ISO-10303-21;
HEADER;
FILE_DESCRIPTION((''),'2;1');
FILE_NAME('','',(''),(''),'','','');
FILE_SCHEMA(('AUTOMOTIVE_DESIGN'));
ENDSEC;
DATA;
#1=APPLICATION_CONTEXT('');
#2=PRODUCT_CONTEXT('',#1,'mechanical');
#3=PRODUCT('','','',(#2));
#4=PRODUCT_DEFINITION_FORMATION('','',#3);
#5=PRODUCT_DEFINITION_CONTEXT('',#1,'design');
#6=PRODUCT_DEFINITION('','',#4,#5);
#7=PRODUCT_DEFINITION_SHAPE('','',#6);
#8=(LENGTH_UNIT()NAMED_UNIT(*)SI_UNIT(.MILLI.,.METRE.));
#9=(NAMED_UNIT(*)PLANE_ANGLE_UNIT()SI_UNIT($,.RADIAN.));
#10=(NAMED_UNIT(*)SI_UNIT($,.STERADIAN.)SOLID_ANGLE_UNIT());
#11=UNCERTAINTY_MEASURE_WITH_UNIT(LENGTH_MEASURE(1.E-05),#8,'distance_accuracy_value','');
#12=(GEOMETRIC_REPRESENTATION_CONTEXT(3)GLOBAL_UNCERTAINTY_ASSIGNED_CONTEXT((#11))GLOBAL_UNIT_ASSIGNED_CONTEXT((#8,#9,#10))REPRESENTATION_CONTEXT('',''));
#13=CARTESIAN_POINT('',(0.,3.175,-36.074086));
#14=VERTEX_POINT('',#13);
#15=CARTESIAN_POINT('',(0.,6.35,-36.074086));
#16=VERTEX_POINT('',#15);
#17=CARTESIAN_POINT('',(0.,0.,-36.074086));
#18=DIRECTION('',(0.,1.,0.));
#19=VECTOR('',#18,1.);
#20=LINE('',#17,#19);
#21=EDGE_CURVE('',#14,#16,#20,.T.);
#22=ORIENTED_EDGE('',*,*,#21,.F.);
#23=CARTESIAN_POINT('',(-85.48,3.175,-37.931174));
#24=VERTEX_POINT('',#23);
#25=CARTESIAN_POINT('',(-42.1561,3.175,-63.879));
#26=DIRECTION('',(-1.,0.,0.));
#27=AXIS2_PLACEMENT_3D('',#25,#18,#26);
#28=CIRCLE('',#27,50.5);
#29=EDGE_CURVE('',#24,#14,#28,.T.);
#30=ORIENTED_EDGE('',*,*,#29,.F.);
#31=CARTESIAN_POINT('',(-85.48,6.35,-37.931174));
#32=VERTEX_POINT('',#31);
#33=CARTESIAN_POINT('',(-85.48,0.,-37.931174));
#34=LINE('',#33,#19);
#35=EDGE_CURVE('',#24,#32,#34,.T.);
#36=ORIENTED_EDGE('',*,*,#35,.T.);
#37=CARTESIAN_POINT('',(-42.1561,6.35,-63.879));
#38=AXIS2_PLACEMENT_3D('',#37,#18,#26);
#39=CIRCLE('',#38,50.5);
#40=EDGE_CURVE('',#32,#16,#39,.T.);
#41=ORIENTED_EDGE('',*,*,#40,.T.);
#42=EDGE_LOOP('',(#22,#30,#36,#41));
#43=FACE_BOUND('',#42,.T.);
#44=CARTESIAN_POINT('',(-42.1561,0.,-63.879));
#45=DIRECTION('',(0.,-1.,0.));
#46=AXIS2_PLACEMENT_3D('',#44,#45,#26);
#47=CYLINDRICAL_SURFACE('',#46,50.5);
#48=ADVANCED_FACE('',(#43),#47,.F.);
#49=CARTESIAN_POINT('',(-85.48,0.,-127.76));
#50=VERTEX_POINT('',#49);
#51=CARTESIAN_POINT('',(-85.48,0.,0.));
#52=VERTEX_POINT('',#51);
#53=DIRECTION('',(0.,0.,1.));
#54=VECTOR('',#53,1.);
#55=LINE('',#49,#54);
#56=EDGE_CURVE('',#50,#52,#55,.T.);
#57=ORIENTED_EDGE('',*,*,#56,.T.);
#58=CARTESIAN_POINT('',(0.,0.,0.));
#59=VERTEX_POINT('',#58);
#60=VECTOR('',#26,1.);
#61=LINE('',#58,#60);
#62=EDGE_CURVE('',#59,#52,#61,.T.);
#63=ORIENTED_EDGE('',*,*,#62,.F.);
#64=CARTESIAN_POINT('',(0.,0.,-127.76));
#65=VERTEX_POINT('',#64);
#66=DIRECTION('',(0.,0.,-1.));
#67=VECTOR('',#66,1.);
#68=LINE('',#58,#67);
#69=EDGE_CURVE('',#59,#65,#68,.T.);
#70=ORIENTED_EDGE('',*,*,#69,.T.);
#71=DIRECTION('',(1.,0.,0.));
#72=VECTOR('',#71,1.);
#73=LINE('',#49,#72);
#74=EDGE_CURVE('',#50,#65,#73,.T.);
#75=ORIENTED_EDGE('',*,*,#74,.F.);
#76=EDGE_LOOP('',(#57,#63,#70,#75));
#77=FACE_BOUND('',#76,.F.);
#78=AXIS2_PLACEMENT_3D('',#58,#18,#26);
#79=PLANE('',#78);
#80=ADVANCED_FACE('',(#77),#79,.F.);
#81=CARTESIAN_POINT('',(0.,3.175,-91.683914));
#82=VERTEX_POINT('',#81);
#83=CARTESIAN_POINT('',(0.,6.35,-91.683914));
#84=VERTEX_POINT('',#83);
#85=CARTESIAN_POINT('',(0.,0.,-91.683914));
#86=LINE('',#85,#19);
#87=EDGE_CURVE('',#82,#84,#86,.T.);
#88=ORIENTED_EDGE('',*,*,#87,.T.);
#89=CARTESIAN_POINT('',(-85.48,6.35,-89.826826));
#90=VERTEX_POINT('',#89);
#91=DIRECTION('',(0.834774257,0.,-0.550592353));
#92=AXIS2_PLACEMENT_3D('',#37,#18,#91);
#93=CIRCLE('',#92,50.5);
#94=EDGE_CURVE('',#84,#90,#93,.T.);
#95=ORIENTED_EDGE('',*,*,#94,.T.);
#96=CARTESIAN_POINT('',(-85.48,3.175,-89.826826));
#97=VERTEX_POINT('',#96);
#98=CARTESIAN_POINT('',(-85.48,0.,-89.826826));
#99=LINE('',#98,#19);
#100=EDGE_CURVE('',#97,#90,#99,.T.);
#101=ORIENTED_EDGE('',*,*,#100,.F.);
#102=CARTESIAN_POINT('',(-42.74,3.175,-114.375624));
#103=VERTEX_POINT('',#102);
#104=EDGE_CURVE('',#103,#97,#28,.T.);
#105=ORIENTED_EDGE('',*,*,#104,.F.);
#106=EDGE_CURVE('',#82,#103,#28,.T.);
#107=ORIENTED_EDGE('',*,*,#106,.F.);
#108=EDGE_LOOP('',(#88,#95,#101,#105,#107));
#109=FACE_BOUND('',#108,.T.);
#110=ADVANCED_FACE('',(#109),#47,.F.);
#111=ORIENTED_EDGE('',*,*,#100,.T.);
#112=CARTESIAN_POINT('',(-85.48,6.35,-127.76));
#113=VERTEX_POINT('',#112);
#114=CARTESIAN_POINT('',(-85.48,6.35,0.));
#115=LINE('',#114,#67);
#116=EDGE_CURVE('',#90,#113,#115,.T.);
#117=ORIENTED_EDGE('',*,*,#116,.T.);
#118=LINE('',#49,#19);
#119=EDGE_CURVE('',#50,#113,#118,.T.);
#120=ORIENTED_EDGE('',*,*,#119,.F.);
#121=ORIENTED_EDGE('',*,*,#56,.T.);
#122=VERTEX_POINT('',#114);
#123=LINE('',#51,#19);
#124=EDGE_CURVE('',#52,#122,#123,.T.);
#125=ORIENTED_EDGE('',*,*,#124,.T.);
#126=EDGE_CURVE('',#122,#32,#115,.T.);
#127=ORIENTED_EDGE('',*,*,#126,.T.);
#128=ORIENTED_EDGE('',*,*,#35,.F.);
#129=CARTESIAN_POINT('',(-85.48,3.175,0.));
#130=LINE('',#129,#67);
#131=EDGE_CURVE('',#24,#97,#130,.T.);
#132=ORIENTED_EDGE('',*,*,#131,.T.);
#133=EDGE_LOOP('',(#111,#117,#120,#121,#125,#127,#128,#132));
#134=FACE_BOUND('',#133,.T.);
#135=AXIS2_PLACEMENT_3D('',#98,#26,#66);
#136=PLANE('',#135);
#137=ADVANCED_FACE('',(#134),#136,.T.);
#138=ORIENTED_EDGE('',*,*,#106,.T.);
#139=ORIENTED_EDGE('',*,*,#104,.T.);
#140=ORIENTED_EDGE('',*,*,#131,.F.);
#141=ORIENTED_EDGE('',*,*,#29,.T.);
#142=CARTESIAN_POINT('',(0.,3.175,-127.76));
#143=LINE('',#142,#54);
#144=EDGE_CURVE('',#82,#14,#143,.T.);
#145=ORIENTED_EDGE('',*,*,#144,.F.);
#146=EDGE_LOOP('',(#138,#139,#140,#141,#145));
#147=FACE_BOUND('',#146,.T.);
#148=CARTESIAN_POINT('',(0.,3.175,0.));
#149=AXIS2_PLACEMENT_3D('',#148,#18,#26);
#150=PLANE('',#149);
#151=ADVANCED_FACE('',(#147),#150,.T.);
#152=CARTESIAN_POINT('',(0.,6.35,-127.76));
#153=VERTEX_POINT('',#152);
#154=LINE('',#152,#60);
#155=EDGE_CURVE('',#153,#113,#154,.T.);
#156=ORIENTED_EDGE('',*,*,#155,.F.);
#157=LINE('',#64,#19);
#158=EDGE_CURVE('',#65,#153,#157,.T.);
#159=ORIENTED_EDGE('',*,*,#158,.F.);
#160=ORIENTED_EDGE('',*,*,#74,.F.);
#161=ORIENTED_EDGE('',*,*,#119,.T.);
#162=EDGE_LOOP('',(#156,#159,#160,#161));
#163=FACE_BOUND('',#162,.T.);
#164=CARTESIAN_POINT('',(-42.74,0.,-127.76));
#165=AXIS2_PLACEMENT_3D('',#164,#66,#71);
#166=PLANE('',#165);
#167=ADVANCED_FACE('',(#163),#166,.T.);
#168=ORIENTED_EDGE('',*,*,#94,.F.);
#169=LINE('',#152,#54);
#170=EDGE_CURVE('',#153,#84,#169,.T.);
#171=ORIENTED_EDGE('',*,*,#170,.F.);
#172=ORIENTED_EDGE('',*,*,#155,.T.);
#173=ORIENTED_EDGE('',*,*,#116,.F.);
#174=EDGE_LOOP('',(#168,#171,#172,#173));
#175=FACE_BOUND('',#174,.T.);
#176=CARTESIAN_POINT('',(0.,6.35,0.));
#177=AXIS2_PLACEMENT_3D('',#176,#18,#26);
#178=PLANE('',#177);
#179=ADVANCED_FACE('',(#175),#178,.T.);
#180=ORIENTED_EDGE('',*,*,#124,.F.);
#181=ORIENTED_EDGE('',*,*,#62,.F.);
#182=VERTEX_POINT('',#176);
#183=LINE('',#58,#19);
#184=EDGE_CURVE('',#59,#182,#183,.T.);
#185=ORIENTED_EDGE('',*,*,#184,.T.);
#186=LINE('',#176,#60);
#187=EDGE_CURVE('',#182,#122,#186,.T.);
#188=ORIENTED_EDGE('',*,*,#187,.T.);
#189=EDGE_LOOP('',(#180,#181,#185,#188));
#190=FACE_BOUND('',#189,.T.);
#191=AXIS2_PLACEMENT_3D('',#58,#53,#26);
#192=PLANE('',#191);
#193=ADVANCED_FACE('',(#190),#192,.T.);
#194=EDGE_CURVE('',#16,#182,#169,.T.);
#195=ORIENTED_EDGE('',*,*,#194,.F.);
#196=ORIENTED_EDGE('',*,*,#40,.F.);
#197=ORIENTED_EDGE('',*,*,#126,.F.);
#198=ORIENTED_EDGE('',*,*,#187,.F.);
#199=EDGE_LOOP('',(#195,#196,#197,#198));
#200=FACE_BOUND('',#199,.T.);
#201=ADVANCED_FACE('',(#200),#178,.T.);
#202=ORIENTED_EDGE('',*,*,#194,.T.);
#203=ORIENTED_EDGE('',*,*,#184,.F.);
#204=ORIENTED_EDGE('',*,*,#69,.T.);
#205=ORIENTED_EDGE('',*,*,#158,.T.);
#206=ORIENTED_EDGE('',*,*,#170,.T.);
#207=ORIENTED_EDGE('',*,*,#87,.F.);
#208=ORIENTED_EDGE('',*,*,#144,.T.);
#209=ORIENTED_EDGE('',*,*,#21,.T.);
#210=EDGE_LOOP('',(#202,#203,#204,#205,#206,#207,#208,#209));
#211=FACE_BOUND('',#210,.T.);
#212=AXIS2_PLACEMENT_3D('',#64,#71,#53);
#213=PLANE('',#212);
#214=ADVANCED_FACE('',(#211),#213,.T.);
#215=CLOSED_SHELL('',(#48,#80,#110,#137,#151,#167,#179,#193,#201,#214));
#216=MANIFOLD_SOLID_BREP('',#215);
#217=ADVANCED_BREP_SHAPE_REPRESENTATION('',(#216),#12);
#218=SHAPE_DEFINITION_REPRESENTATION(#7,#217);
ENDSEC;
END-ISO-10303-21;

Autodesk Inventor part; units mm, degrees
ref_plane "YZ Plane" through (0, 0, 0) normal (1, 0, 0) x (0, 1, 0)
ref_plane "XZ Plane" through (0, 0, 0) normal (0, 1, 0) x (-1, 0, 0)
ref_plane "XY Plane" through (0, 0, 0) normal (0, 0, 1) x (1, 0, 0)
sketch "Sketch1" plane through (0, 0, 0) normal (0, 1, 0) x (-1, 0, 0)
  line L0 (0, 0) -> (85.48, 0)
  line L1 (85.48, 0) -> (85.48, -127.76)
  line L2 (85.48, -127.76) -> (0, -127.76)
  line L3 (0, -127.76) -> (0, 0)
  line L4 (42.74, -127.76) -> (42.74, -63.879)
  circle A0 centre (42.1561, -63.879) radius 50.5
  line L5 (26.485, -111.163) -> (58.985, -111.1664)
  line L6 (42.74, -63.879) -> (42.7347, -113.879)
  point P0 (85.48, -37.9311)
  point P1 (85.48, -89.8269)
  point P2 (0, -91.6839)
  point P3 (0, -36.0741)
  point P4 (42.735, -111.1647)
  point P5 (42.74, -111.1647)
  point P6 (42.74, -114.3756)
  dimension "d0" = 85.48
  dimension "d1" = 127.76
  dimension "d2" = 63.881
  dimension "d3" = 101
  dimension "d4" = 32.5
extrude "Extrusion1" add sketch "Sketch1" along normal blind 6.35 contours L0 L1 A0 L3 | A0 L4 L2 L3 | L1 L2 L4 A0
extrude "Extrusion2" add sketch "Sketch1" along normal blind 3.175 contours L5 L6 L4 | A0 L1 L3
properties part number "100mm wafer wellplate"
